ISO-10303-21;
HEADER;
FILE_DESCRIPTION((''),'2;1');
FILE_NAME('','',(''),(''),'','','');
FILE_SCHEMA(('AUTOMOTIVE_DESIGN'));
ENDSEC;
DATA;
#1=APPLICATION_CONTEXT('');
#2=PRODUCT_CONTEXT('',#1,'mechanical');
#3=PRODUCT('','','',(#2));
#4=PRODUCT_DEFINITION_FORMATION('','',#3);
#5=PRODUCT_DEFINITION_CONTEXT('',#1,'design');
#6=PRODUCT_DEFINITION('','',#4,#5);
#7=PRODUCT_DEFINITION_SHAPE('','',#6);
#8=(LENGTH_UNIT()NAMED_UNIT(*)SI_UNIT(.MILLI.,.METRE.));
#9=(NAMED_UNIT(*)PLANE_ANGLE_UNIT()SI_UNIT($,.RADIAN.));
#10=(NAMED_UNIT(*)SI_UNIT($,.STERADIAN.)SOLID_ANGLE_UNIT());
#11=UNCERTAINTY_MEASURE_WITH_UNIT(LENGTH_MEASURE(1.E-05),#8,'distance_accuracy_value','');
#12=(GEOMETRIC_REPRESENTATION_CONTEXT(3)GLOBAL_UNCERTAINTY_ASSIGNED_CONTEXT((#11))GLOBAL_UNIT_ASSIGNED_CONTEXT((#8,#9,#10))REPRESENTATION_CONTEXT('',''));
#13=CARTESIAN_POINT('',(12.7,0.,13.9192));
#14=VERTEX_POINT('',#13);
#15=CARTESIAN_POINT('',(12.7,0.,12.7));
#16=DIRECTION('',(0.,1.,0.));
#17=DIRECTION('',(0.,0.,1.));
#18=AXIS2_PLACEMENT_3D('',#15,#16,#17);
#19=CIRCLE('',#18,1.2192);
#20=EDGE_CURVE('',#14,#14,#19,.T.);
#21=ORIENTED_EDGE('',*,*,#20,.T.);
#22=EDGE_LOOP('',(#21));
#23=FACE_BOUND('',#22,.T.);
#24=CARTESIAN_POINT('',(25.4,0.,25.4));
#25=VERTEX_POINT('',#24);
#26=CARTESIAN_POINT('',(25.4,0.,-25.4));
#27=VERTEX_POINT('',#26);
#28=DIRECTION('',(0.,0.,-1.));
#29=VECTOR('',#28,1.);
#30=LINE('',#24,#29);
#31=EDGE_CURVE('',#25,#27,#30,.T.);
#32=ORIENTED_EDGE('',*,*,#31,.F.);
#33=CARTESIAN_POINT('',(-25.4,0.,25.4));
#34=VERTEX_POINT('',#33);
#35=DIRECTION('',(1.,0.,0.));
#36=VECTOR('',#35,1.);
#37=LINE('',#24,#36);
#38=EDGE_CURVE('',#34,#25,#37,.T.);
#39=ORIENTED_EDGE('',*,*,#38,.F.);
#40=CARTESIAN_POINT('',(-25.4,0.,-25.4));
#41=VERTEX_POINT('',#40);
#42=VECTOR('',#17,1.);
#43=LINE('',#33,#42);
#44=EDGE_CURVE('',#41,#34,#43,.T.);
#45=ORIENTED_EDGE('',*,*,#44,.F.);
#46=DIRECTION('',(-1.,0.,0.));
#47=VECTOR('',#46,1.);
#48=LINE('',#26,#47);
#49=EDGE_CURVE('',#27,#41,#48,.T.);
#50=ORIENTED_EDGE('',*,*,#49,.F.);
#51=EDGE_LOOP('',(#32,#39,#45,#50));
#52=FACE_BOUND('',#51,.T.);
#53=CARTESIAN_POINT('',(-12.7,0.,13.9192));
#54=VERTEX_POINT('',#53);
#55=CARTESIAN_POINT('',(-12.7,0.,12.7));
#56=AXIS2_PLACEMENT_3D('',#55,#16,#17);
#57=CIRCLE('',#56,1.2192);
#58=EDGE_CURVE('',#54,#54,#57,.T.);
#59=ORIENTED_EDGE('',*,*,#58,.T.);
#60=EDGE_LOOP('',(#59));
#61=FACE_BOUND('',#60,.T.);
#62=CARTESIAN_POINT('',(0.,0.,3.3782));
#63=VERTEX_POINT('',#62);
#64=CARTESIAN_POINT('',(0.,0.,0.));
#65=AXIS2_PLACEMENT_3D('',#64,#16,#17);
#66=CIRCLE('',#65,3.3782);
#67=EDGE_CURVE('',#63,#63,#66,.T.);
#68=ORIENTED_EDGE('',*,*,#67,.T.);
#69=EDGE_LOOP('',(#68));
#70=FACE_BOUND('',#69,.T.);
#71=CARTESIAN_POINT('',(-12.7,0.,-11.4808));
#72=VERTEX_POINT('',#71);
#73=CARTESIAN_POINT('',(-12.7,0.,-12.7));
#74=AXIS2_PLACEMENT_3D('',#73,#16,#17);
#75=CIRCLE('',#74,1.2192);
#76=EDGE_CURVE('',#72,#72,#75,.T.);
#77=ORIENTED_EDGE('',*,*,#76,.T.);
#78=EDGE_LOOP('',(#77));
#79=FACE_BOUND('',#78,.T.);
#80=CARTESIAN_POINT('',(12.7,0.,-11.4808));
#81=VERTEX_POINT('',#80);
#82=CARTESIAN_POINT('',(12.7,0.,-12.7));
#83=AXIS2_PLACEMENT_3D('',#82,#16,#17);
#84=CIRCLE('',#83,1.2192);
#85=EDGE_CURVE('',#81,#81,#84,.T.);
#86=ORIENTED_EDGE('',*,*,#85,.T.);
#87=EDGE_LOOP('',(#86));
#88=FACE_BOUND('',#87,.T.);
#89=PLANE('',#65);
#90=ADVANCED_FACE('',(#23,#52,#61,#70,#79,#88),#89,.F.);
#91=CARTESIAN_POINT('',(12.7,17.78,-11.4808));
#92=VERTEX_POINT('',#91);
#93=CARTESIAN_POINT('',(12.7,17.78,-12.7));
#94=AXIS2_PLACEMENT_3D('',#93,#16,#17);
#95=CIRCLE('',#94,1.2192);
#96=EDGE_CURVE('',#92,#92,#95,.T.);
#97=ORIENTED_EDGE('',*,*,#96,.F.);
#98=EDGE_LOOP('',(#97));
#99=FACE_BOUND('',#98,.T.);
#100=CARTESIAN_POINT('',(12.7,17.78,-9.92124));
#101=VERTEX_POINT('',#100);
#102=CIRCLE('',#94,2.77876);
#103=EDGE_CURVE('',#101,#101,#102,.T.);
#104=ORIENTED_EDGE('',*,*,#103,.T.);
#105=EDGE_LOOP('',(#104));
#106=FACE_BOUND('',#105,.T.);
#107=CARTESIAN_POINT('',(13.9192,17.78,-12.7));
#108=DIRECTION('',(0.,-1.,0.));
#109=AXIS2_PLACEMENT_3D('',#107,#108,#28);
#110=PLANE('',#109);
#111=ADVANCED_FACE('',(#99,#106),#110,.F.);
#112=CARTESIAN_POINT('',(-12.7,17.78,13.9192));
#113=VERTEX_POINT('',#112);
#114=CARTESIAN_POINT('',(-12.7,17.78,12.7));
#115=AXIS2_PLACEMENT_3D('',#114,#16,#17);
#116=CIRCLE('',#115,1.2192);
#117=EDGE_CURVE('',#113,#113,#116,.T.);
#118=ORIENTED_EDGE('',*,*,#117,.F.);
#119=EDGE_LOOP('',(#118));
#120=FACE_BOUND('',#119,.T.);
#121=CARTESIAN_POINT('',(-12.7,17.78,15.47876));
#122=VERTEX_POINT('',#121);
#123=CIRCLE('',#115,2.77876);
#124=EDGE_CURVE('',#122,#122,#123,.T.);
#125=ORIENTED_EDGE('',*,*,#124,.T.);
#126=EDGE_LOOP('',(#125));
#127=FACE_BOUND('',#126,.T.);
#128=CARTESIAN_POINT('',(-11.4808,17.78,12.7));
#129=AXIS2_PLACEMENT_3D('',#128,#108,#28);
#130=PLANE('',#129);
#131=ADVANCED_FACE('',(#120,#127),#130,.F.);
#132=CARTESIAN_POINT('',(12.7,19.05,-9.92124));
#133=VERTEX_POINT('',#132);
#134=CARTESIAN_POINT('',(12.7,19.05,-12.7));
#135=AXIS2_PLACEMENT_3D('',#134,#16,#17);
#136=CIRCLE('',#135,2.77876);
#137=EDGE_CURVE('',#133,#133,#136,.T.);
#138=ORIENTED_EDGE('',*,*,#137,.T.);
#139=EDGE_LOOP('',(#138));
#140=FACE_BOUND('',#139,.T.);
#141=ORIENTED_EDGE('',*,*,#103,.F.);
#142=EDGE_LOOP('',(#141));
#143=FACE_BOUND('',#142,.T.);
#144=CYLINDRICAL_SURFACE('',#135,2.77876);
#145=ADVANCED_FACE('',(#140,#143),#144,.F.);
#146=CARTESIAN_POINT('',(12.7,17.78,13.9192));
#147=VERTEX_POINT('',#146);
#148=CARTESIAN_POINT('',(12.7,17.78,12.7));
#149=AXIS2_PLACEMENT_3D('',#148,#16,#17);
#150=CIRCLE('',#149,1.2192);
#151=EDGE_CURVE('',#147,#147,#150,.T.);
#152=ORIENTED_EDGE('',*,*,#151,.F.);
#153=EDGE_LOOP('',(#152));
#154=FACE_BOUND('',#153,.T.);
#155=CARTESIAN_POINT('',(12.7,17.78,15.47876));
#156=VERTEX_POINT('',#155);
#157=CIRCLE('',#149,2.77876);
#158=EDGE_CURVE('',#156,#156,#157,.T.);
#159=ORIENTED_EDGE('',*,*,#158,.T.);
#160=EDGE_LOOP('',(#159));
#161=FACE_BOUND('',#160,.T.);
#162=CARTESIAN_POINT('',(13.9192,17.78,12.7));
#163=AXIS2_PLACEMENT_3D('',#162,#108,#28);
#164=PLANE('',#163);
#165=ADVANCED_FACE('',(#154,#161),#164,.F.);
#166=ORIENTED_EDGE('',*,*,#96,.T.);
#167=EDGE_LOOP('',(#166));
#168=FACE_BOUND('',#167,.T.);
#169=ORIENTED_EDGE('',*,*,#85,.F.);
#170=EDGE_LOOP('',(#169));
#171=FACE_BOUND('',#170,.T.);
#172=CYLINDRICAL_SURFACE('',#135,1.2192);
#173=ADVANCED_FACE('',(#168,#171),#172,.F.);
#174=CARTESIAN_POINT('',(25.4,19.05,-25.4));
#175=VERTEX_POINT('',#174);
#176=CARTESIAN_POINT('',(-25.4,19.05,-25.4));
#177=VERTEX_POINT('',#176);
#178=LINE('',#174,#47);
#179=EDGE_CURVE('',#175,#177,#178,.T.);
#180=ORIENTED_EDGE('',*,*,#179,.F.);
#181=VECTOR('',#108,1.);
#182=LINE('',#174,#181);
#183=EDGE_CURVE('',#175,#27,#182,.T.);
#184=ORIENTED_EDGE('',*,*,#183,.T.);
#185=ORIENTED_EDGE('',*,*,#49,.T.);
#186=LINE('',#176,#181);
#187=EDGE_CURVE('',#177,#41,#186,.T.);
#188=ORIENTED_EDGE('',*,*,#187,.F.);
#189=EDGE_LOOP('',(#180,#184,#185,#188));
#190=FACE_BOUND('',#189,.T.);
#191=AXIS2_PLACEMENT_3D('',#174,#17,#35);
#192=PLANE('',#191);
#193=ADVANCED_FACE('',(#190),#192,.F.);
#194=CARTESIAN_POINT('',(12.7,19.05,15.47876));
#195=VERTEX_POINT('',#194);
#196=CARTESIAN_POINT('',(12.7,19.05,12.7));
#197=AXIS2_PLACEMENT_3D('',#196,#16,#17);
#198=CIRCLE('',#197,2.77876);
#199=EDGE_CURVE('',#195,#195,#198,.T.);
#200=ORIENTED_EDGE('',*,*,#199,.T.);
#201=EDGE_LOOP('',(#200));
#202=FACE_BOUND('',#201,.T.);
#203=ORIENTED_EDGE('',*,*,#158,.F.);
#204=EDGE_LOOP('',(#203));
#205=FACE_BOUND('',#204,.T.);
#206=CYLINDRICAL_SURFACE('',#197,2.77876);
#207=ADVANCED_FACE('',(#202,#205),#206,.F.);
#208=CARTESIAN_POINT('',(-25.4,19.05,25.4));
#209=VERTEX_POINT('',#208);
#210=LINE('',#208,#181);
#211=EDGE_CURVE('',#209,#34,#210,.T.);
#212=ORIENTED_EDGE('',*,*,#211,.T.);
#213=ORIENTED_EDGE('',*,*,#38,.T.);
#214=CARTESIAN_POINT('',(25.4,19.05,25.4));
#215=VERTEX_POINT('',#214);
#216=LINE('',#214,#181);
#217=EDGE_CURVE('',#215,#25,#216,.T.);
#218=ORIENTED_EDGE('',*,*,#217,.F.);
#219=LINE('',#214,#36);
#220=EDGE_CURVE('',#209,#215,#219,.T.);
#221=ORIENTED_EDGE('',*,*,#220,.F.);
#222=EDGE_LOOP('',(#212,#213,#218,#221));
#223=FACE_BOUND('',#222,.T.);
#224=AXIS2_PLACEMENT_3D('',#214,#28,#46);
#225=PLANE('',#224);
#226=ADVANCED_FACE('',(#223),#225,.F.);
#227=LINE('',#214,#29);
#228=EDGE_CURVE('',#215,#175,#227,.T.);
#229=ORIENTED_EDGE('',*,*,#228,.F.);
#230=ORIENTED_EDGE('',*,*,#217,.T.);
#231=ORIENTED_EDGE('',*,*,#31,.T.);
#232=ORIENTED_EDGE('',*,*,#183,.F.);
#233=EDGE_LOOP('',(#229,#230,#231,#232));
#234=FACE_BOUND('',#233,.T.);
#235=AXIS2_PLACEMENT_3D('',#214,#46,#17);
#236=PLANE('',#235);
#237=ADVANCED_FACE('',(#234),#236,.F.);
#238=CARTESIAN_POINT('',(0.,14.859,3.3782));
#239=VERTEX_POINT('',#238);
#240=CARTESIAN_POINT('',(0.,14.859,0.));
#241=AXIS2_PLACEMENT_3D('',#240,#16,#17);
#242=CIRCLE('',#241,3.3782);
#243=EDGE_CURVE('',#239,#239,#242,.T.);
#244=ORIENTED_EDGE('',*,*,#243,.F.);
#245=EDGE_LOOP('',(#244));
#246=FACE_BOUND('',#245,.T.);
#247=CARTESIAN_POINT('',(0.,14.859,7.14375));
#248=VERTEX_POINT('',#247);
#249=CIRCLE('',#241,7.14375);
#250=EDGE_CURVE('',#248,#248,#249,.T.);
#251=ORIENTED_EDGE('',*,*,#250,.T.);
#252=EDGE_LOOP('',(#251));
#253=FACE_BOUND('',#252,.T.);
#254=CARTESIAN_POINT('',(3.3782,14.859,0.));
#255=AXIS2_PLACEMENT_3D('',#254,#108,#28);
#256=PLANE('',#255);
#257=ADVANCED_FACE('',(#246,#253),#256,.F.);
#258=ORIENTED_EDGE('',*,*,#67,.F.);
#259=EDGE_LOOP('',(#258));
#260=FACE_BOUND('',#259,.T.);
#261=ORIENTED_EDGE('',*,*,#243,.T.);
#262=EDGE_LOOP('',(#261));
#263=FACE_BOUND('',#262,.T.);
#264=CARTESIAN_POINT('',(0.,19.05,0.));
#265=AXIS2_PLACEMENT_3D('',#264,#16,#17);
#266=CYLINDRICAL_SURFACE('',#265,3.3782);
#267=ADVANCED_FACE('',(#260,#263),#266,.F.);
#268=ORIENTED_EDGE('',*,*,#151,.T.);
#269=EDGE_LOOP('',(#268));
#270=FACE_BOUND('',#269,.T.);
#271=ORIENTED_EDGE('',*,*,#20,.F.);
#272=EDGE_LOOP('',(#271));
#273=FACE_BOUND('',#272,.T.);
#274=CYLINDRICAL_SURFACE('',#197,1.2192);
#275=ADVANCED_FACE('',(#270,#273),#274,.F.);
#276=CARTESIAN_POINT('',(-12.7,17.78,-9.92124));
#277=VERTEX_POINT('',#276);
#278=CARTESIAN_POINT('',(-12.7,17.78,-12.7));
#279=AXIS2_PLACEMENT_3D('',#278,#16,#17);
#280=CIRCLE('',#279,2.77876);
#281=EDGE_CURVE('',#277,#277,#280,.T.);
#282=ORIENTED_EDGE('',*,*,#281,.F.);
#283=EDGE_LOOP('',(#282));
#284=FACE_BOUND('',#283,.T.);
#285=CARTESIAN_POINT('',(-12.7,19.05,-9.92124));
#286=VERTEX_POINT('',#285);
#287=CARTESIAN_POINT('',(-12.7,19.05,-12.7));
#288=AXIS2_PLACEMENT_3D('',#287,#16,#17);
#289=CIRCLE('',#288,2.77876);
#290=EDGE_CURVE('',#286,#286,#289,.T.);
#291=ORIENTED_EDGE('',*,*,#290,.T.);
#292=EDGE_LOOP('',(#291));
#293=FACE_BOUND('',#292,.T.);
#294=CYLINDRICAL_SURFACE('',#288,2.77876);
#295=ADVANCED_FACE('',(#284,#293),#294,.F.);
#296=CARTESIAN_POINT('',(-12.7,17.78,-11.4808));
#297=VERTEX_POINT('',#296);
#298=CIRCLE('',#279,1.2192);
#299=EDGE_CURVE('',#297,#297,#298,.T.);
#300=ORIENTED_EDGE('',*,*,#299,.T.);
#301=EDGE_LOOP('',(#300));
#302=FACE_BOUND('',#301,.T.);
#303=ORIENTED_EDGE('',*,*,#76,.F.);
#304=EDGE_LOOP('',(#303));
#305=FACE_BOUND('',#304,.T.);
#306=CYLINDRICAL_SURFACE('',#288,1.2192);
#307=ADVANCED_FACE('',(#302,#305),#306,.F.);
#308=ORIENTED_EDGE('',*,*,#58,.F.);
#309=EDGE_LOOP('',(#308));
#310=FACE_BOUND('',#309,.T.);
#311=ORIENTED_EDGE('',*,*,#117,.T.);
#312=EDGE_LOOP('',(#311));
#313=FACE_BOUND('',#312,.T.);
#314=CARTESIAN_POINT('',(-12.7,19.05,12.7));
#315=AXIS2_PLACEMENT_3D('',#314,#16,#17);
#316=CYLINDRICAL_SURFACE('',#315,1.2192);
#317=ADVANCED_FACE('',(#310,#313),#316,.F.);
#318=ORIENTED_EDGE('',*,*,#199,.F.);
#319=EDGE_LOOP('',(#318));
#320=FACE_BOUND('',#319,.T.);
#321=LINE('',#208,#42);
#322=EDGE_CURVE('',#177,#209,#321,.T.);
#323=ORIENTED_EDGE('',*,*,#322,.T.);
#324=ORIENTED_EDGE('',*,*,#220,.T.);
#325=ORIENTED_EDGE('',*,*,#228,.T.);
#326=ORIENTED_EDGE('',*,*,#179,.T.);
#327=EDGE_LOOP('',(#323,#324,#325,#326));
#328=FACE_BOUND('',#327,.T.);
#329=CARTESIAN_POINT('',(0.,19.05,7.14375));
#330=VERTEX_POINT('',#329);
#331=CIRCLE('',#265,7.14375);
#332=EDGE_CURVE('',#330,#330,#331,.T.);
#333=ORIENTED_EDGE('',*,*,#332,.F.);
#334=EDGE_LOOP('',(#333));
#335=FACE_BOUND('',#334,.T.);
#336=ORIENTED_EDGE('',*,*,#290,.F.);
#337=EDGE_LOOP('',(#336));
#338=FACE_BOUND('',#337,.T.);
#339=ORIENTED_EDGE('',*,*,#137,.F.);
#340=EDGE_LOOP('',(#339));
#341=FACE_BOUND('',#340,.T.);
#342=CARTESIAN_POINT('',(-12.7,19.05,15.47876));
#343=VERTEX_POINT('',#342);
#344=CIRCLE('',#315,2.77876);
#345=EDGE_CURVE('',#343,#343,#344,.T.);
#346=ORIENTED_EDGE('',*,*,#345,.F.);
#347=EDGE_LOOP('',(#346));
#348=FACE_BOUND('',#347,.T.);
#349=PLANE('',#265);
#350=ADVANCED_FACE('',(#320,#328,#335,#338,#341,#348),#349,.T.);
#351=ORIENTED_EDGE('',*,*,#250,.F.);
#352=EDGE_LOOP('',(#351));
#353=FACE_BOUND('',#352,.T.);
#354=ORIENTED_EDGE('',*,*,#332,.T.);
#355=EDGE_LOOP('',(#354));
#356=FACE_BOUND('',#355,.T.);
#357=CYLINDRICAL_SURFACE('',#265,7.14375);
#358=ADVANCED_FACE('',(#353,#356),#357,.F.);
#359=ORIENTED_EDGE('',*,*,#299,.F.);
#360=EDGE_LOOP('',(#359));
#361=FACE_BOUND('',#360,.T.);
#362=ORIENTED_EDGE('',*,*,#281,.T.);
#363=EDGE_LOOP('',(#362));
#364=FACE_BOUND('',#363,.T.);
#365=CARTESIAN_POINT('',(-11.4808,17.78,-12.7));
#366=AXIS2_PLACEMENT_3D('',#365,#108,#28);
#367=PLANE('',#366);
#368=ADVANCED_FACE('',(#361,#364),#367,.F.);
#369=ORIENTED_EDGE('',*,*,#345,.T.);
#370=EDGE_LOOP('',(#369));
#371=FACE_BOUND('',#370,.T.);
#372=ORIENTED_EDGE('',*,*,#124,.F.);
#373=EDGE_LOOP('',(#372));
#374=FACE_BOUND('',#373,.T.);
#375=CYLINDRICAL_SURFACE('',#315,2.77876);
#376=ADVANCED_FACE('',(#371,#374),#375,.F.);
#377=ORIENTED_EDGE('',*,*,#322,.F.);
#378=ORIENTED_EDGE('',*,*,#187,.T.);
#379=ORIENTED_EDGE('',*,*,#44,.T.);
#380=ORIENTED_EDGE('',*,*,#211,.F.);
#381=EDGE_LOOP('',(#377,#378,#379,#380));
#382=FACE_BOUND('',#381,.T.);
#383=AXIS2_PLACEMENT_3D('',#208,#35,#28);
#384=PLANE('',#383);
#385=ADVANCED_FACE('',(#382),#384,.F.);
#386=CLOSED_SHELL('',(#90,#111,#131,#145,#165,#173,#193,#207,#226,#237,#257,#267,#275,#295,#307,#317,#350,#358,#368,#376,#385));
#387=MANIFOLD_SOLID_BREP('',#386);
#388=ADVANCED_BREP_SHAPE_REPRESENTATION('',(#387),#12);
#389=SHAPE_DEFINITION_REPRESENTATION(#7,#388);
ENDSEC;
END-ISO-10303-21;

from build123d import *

# Parameters (mm, degrees)
SKETCH1_W                                            = 50.8
SKETCH1_H                                            = 50.8
BOSS_EXTRUDE1_DEPTH                                  = 19.05
CBORE_FOR_1_4_BINDING_HEAD_MACHINE_SCREW_D           = 6.7564
CBORE_FOR_1_4_BINDING_HEAD_MACHINE_SCREW_CBORE_D     = 14.2875
CBORE_FOR_1_4_BINDING_HEAD_MACHINE_SCREW_CBORE_DEPTH = 4.191
CBORE_FOR_2_BINDING_HEAD_MACHINE_SCREW1_D            = 2.4384
CBORE_FOR_2_BINDING_HEAD_MACHINE_SCREW1_CBORE_D      = 5.55752
CBORE_FOR_2_BINDING_HEAD_MACHINE_SCREW1_CBORE_DEPTH  = 1.27
CBORE_FOR_2_BINDING_HEAD_MACHINE_SCREW2_D            = 2.4384
CBORE_FOR_2_BINDING_HEAD_MACHINE_SCREW2_CBORE_D      = 5.55752
CBORE_FOR_2_BINDING_HEAD_MACHINE_SCREW2_CBORE_DEPTH  = 1.27


with BuildPart() as part:
    # Sketch1 → Boss-Extrude1 (new body)
    with BuildSketch(Plane(origin=(0, 0, 0), x_dir=(1, 0, 0), z_dir=(0, 1, 0))):
        Rectangle(SKETCH1_W, SKETCH1_H)
    extrude(amount=BOSS_EXTRUDE1_DEPTH)

    # CBORE for 1/4 Binding Head Machine Screw1 (through all)
    with Locations(Plane(origin=(0, 19.05, 0), x_dir=(1, 0, 0), z_dir=(0, 1, 0))):
        with Locations((0, 0)):
            CounterBoreHole(CBORE_FOR_1_4_BINDING_HEAD_MACHINE_SCREW_D / 2, CBORE_FOR_1_4_BINDING_HEAD_MACHINE_SCREW_CBORE_D / 2, CBORE_FOR_1_4_BINDING_HEAD_MACHINE_SCREW_CBORE_DEPTH)

    # CBORE for #2 Binding Head Machine Screw1 (through all)
    with Locations(Plane(origin=(0, 19.05, 0), x_dir=(1, 0, 0), z_dir=(0, 1, 0))):
        with Locations((-12.7, 12.7), (0, 0)):
            CounterBoreHole(CBORE_FOR_2_BINDING_HEAD_MACHINE_SCREW1_D / 2, CBORE_FOR_2_BINDING_HEAD_MACHINE_SCREW1_CBORE_D / 2, CBORE_FOR_2_BINDING_HEAD_MACHINE_SCREW1_CBORE_DEPTH)

    # CBORE for #2 Binding Head Machine Screw2 (through all)
    with Locations(Plane(origin=(0, 19.05, 0), x_dir=(1, 0, 0), z_dir=(0, 1, 0))):
        with Locations((12.7, 12.7), (-12.7, -12.7), (12.7, -12.7)):
            CounterBoreHole(CBORE_FOR_2_BINDING_HEAD_MACHINE_SCREW2_D / 2, CBORE_FOR_2_BINDING_HEAD_MACHINE_SCREW2_CBORE_D / 2, CBORE_FOR_2_BINDING_HEAD_MACHINE_SCREW2_CBORE_DEPTH)


solid = part.part
